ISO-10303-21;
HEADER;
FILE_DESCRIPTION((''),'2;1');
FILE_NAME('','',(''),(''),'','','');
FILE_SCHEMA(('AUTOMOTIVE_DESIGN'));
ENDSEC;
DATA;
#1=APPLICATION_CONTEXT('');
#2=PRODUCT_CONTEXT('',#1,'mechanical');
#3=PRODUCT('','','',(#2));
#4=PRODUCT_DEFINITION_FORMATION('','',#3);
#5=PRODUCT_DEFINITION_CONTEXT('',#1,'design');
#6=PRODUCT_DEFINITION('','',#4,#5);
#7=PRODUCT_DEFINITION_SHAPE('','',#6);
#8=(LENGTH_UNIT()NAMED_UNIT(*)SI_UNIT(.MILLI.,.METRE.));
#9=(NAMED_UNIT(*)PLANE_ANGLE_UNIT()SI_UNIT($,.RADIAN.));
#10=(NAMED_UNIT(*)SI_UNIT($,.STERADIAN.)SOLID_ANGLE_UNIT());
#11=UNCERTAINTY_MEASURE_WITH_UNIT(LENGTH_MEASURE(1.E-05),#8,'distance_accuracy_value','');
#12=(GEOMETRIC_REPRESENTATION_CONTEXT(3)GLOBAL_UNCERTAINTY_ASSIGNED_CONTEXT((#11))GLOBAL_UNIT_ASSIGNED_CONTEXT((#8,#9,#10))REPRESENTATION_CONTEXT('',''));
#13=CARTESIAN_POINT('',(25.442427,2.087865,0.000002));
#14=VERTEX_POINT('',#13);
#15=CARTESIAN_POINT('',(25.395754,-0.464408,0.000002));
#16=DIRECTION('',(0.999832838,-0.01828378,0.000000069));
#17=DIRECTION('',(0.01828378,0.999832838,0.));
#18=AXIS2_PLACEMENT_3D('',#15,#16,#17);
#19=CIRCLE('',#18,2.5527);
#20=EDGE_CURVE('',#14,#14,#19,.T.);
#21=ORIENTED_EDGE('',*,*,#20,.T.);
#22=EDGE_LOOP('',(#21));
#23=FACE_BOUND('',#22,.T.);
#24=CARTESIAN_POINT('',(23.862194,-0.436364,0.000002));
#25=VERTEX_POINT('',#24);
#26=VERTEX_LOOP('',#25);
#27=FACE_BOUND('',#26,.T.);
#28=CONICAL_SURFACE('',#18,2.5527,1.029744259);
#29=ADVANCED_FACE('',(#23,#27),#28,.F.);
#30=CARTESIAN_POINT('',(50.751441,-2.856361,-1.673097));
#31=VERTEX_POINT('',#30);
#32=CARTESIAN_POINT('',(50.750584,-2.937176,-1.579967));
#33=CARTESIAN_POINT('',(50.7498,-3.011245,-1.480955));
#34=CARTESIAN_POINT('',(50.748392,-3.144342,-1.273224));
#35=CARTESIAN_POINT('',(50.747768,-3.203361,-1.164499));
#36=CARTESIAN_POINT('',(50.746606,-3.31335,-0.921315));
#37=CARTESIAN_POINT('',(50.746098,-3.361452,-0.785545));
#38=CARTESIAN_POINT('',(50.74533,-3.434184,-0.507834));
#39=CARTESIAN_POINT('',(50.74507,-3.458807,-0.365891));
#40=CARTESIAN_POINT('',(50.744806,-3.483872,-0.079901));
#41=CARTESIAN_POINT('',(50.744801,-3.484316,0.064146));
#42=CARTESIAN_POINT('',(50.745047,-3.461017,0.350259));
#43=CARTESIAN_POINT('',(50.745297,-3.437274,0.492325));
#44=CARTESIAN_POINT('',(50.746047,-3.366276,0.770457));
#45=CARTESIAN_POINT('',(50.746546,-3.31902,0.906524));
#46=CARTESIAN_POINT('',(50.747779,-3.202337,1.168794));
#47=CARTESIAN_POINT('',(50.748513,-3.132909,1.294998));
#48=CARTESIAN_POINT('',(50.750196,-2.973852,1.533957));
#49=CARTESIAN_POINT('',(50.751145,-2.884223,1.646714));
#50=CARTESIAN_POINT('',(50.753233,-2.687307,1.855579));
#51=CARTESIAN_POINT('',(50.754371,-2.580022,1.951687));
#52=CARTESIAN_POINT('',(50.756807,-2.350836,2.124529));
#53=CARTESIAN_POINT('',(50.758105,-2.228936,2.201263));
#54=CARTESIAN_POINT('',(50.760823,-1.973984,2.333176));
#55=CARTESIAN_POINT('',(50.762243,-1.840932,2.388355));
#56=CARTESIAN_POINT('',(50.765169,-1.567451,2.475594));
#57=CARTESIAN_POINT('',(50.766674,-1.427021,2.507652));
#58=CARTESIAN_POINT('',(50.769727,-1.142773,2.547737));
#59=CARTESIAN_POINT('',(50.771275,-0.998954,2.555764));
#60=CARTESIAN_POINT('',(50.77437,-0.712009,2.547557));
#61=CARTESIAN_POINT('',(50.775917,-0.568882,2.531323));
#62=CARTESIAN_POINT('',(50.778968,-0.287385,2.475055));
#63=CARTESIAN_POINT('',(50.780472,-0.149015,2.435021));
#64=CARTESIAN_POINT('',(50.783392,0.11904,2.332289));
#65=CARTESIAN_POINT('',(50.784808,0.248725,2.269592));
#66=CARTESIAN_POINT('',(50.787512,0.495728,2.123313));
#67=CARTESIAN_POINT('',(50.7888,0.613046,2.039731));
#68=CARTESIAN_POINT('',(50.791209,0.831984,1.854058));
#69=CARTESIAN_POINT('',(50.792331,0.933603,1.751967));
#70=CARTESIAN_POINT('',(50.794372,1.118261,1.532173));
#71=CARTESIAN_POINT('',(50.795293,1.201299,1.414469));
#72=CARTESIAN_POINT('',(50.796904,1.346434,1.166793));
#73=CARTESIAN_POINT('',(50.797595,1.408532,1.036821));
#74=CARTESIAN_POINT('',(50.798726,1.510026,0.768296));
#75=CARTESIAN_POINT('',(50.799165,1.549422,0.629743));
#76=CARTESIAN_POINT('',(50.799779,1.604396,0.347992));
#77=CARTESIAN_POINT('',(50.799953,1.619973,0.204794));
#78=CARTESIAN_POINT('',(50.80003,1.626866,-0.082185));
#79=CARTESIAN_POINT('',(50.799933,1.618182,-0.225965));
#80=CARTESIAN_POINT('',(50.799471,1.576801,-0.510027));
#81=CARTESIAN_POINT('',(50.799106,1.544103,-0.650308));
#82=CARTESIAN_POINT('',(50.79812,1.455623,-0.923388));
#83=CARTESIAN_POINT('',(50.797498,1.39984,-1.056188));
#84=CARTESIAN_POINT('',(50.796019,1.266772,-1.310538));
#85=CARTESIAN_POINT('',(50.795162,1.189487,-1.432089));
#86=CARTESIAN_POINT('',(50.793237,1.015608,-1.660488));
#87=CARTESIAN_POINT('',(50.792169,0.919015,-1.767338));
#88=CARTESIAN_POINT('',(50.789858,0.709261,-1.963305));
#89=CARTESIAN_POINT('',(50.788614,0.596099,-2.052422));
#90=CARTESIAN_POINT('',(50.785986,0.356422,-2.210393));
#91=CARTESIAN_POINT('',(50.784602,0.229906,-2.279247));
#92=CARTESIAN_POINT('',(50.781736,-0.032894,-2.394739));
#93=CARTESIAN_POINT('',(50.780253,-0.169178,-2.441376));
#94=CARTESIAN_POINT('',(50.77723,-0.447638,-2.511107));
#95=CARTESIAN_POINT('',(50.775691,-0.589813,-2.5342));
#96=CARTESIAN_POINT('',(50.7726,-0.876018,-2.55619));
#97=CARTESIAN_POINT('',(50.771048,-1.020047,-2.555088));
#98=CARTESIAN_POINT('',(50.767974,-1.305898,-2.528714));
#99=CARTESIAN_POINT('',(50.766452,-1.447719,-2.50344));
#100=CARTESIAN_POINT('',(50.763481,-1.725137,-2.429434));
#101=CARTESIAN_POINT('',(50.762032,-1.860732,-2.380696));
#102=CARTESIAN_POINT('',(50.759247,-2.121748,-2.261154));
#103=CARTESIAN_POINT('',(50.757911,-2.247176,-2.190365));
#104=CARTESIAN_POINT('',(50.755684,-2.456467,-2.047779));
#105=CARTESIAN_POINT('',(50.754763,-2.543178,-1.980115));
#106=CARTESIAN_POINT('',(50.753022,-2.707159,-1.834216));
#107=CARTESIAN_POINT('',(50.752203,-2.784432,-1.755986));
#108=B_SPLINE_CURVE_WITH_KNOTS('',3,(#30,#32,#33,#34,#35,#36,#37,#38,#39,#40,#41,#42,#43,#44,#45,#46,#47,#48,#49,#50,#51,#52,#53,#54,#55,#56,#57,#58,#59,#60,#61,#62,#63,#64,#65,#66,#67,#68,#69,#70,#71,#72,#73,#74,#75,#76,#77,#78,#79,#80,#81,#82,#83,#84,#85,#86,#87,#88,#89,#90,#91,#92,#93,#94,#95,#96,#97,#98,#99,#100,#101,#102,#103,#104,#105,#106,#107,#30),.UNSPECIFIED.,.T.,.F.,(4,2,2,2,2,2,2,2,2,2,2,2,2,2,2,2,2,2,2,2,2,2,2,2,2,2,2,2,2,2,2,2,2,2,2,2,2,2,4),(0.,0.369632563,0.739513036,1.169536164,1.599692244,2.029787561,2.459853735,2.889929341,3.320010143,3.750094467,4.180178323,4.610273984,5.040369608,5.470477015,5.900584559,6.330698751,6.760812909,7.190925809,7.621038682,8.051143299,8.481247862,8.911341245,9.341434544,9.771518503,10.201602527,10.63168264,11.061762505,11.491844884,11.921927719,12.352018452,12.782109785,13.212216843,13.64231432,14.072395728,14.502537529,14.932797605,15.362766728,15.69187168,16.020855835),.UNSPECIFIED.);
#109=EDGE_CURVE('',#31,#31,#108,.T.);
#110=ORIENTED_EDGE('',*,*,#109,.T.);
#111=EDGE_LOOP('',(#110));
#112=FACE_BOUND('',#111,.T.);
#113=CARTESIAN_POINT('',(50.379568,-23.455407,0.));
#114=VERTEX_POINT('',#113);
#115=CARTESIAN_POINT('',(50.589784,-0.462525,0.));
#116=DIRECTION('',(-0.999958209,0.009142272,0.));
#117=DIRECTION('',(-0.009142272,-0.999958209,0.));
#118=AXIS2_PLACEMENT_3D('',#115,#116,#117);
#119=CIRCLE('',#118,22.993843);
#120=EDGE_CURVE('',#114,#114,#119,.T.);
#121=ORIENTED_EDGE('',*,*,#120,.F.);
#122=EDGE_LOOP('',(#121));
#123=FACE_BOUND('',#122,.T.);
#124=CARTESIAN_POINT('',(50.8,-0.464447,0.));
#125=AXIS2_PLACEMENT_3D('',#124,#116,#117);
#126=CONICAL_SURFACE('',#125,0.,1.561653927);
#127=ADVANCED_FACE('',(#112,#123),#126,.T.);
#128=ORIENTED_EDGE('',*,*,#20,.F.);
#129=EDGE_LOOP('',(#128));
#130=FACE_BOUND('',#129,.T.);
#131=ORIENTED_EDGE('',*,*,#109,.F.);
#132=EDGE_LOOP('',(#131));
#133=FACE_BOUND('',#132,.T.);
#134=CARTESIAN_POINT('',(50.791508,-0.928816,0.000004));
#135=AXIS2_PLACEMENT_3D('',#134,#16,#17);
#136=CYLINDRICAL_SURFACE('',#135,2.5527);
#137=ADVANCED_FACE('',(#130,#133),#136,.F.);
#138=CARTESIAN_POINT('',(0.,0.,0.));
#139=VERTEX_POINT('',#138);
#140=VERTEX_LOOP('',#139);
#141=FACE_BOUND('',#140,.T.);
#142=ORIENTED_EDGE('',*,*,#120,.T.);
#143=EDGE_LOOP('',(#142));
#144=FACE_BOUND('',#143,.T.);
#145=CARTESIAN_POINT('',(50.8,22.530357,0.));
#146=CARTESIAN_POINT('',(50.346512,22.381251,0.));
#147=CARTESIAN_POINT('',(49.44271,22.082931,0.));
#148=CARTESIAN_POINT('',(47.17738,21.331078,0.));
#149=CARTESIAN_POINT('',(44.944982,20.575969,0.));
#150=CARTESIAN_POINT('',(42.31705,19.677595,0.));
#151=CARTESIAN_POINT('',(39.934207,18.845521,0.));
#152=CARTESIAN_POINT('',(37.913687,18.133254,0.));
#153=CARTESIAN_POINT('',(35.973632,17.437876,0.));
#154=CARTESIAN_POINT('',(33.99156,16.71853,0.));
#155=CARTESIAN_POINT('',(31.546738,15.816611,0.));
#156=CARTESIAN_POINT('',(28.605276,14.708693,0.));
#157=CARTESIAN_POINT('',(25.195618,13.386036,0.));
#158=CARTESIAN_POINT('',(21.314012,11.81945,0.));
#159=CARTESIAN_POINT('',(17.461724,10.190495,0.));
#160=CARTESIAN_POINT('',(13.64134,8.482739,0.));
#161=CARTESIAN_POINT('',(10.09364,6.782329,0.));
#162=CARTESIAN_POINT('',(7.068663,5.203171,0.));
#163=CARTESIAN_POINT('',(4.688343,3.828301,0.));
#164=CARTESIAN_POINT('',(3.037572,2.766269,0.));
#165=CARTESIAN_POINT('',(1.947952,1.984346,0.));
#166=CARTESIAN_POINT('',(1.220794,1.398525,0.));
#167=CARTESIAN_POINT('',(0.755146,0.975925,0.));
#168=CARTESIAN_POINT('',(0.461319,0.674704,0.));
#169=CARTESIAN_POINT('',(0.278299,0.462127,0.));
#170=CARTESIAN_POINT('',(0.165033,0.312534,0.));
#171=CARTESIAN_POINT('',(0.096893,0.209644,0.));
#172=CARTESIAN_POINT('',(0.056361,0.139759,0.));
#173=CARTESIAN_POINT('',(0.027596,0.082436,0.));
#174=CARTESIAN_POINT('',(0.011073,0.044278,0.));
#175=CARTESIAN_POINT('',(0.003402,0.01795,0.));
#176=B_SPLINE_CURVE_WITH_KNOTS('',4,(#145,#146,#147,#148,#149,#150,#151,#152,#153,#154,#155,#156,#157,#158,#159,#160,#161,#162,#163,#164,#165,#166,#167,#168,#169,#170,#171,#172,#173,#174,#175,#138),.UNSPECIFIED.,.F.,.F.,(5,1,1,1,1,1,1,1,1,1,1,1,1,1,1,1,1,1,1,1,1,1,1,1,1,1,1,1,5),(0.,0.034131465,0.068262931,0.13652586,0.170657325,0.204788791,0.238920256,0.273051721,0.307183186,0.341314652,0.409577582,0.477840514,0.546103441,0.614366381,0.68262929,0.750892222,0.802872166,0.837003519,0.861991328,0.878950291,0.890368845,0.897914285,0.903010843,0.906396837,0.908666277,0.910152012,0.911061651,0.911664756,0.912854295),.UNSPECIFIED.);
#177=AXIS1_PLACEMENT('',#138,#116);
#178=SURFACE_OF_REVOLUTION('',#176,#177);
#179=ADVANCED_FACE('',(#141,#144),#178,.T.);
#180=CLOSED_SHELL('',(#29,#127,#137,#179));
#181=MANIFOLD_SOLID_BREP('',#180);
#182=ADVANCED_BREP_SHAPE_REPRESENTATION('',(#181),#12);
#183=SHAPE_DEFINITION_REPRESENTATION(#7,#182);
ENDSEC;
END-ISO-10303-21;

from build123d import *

# Parameters (mm, degrees)
F_1_4_20_TAPPED_HOLE2_D     = 5.1054
F_1_4_20_TAPPED_HOLE2_DEPTH = 25.4
F_1_4_20_TAPPED_HOLE2_TIP   = 1.533816902


with BuildPart() as part:
    # Sketch1 → Revolve3 (revolve)
    with BuildSketch(Plane.XY):
        with BuildLine():
            Line((0, 0), (50.8, -0.464446844))
            Line((50.8, -0.464446844), (50.8, 22.53035676))
            add(Edge.make_bspline(
                [(0, 0), (0.0034024, 0.01795031), (0.011072676, 0.044278315), (0.027596137, 0.082435683), (0.056361437, 0.139758553), (0.096892772, 0.209644329), (0.165033444, 0.31253391), (0.278299045, 0.462127291), (0.461319423, 0.674703688), (0.755145997, 0.975924583), (1.220793664, 1.398524844), (1.947952107, 1.984346248), (3.037572116, 2.766268991), (4.688342873, 3.828301188), (7.068662655, 5.203170594), (10.093640064, 6.782328502), (13.641340019, 8.482738948), (17.461723673, 10.190494576), (21.314012071, 11.819449827), (25.19561798, 13.38603627), (28.605275599, 14.708692688), (31.546737573, 15.816610987), (33.991560363, 16.718530148), (35.973631638, 17.437875886), (37.913686765, 18.133254468), (39.93420744, 18.845521365), (42.317049575, 19.677594775), (44.94498249, 20.575969254), (47.177380459, 21.331077534), (49.442710435, 22.082930839), (50.346511785, 22.381251238), (50.8, 22.53035676)],
                knots=[0, 0, 0, 0, 0, 0.001189539, 0.001792644, 0.002702282, 0.004188017, 0.006457458, 0.009843452, 0.01494001, 0.02248545, 0.033904004, 0.050862967, 0.075850775, 0.109982129, 0.161962073, 0.230225004, 0.298487914, 0.366750854, 0.435013781, 0.503276713, 0.571539643, 0.605671108, 0.639802574, 0.673934039, 0.708065504, 0.742196969, 0.776328435, 0.844591364, 0.87872283, 0.912854295, 0.912854295, 0.912854295, 0.912854295, 0.912854295], degree=4))
        make_face()
    revolve(axis=Axis((0, 0, 0), (0.999958209, -0.009142272, 0)))

    # 1/4-20 Tapped Hole2
    with Locations(Plane(origin=(50.791508156, -0.928816049, 3.529e-06), x_dir=(0.01828378, 0.999832838, 0), z_dir=(0.999832838, -0.01828378, 6.9e-08))):
        with Locations((0, 0)):
            Hole(F_1_4_20_TAPPED_HOLE2_D / 2, depth=F_1_4_20_TAPPED_HOLE2_DEPTH)
            with Locations((0, 0, -(F_1_4_20_TAPPED_HOLE2_DEPTH + F_1_4_20_TAPPED_HOLE2_TIP / 2))):  # 118° drill point
                Cone(0, F_1_4_20_TAPPED_HOLE2_D / 2, F_1_4_20_TAPPED_HOLE2_TIP, mode=Mode.SUBTRACT)


solid = part.part
